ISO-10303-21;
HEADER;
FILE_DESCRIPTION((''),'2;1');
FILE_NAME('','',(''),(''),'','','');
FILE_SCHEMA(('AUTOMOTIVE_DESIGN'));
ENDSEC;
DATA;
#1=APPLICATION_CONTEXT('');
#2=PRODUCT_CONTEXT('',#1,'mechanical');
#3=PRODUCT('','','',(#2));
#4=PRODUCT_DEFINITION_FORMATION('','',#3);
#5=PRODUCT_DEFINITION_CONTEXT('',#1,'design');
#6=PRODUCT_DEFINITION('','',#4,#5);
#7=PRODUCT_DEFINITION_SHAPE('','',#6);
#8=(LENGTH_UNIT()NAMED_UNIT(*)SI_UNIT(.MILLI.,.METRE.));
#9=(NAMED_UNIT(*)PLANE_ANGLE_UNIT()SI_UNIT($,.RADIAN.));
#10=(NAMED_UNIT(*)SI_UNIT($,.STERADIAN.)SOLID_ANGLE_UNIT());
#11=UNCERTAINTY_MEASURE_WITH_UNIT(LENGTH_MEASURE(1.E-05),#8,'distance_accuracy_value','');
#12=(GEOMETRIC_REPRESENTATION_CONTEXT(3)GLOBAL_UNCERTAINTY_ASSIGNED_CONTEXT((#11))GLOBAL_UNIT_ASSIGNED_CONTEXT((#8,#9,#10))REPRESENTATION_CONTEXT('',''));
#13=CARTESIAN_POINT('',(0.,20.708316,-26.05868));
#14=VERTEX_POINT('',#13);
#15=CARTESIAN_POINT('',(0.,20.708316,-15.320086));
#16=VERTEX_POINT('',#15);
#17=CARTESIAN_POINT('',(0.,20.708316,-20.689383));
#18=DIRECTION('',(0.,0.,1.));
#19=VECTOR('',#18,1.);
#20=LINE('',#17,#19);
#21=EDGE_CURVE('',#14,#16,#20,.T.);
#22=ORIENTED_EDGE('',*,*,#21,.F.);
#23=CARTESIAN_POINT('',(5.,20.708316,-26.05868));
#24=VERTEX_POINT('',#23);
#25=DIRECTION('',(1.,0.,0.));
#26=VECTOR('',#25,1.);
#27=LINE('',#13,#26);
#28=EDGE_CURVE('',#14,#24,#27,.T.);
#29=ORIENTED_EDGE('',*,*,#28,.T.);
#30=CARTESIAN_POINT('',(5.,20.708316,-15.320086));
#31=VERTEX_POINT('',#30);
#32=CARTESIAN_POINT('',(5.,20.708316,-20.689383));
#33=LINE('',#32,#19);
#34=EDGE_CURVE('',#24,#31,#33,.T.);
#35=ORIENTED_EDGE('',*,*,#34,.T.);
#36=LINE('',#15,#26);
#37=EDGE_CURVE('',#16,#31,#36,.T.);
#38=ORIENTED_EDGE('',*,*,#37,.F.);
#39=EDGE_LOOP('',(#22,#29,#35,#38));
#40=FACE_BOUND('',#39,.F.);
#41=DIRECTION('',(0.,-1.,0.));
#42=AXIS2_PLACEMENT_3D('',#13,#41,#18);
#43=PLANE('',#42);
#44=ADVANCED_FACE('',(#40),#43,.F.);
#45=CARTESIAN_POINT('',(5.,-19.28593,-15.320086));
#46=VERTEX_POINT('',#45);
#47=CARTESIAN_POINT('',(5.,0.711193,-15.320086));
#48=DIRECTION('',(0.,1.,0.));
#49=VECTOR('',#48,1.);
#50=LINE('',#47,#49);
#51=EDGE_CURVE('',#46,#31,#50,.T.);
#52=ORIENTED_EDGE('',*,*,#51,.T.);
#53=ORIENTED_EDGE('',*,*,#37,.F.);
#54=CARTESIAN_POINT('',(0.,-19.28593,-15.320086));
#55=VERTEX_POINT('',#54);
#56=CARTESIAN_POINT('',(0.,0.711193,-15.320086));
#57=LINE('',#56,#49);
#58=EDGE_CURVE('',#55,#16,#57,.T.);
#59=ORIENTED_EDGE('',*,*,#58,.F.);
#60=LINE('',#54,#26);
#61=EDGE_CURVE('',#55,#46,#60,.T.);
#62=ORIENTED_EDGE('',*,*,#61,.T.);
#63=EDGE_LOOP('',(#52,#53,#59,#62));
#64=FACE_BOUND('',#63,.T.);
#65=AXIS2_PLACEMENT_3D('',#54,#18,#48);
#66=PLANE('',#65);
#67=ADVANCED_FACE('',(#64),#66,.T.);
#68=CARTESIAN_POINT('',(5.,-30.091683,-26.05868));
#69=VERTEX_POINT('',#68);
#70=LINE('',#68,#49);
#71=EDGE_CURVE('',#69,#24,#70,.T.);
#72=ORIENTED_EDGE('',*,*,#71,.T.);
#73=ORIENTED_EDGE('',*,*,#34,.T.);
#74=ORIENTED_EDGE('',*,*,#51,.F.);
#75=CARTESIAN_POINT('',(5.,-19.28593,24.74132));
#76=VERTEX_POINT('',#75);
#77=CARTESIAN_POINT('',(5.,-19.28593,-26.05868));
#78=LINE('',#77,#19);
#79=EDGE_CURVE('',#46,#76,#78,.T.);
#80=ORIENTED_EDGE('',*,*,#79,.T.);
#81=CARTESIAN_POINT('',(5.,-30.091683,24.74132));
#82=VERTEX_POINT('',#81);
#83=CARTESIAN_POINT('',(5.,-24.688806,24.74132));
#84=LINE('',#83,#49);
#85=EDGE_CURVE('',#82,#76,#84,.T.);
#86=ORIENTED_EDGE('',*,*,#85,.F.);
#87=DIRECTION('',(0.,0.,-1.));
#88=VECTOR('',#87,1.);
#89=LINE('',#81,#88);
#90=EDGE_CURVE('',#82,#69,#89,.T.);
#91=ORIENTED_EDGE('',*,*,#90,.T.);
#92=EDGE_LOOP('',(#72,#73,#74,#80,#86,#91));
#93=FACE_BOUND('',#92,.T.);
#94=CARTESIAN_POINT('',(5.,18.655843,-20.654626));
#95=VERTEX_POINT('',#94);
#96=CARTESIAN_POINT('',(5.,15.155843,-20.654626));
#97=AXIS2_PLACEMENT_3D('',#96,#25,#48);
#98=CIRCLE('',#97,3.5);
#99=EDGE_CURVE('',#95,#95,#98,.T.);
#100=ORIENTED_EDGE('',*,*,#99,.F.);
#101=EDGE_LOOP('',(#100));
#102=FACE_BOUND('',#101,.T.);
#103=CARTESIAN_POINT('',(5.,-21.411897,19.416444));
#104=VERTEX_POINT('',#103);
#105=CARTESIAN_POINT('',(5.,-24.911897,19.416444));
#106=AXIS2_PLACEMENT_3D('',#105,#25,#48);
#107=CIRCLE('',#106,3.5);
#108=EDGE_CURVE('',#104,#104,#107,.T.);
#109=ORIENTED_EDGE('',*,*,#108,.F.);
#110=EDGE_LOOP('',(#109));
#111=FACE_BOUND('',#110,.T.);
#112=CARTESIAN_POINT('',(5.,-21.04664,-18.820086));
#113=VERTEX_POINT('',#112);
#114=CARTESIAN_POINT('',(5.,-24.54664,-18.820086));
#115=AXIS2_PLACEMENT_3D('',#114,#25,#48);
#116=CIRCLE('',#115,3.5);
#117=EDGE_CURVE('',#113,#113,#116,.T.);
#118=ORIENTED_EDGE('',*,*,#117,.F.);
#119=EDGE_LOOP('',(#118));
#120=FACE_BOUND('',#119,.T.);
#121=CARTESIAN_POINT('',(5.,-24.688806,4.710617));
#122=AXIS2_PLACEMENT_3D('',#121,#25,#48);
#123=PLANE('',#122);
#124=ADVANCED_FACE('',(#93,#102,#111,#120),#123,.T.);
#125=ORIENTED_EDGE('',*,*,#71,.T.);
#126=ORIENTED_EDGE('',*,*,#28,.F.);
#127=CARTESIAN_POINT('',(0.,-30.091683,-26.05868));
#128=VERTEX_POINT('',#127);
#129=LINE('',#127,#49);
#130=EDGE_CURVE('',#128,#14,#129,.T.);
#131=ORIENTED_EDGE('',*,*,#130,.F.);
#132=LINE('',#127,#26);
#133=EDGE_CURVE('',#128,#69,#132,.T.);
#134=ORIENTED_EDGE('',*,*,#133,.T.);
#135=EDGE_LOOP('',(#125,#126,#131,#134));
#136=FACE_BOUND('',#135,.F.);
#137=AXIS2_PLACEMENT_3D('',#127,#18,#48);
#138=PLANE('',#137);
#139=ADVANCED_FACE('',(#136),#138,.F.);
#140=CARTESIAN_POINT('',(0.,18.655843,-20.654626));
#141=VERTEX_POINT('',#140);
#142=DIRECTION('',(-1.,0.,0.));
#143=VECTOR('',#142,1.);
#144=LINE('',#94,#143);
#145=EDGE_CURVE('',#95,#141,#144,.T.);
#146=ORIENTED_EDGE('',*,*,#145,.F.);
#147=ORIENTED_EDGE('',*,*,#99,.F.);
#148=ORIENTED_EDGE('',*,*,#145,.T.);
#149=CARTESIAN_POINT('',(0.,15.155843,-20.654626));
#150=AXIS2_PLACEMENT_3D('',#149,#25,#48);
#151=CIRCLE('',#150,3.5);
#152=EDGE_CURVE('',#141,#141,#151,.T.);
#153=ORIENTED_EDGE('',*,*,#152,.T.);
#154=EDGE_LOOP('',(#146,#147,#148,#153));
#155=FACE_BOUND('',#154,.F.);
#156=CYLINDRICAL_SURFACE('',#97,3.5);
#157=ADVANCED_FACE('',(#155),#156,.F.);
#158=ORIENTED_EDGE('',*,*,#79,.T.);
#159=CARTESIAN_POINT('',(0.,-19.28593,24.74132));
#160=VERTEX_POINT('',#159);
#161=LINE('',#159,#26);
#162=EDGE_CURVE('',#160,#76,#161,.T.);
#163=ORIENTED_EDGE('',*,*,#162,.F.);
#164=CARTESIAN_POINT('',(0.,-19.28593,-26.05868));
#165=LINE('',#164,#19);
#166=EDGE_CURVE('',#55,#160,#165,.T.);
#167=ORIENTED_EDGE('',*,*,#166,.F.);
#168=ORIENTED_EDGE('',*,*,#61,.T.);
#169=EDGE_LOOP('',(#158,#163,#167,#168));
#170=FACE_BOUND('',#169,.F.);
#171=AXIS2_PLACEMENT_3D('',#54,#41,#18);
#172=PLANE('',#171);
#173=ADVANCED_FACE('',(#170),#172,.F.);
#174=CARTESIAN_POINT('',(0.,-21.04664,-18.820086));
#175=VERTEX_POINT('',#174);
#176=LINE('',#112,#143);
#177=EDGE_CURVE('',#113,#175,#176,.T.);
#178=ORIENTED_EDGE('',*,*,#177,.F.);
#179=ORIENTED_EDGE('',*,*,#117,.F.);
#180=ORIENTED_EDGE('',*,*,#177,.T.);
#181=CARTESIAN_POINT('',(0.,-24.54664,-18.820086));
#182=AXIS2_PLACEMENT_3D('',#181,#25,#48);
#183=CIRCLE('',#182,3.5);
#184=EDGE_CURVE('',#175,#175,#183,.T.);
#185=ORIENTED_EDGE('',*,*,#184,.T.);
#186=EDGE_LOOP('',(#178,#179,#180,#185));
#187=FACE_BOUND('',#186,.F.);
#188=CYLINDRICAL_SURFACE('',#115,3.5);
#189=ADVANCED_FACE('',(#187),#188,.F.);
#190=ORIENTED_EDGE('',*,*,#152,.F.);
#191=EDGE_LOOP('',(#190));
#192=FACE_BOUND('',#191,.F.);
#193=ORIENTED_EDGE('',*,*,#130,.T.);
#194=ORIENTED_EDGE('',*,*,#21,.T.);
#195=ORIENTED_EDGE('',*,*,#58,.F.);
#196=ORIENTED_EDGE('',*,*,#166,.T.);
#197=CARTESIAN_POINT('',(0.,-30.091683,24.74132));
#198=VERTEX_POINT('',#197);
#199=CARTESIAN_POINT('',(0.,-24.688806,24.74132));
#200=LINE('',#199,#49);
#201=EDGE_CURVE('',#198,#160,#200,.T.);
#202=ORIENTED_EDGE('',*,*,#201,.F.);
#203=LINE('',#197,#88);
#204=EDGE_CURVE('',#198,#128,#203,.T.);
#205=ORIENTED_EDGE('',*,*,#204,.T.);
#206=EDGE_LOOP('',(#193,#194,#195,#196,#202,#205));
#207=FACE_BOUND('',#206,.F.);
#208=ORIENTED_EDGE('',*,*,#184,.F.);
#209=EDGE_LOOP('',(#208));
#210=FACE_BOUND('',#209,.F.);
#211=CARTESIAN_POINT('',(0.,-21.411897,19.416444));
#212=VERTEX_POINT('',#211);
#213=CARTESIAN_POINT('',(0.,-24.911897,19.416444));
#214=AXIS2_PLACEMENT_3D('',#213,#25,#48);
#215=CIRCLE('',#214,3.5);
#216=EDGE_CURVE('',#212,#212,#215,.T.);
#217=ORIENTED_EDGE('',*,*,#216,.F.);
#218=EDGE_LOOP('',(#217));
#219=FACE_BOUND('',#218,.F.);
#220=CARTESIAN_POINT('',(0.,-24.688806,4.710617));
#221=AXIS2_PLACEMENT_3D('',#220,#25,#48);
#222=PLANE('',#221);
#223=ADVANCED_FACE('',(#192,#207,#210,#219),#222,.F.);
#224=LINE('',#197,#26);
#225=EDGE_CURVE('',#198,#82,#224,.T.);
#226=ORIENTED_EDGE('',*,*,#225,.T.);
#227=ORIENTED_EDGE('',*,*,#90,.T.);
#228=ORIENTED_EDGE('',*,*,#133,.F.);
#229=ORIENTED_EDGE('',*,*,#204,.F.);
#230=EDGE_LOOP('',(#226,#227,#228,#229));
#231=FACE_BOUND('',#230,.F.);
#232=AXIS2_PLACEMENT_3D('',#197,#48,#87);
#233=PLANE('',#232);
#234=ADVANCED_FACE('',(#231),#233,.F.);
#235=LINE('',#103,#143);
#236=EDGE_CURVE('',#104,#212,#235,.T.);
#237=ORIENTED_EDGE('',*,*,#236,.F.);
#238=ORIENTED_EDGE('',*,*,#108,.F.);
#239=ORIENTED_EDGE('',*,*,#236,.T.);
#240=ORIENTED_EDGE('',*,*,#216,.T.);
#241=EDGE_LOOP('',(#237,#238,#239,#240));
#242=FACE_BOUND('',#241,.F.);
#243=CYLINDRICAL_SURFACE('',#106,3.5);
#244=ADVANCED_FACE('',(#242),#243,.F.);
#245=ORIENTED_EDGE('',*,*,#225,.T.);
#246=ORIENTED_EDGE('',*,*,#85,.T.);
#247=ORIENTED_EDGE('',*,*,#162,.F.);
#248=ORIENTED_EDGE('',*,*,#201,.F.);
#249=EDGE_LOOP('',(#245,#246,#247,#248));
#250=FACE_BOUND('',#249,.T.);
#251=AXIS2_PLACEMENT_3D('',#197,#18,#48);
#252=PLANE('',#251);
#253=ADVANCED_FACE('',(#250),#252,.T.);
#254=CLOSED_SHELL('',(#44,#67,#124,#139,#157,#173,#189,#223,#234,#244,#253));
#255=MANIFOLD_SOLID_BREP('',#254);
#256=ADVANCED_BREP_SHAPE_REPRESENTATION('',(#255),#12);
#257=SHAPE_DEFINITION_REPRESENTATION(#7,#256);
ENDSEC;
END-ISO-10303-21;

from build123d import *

# Parameters (mm, degrees)
F0_W     = 10.805753
F0_H     = 40.061406
F0_H_2   = 10.738594
F0_W_2   = 39.994247
F1_DEPTH = 5
F2_R     = 3.5
F3_DEPTH = 25.4


with BuildPart() as f1:
    # F0 (on Right) → F1 (new body)
    with BuildSketch(Plane.YZ):
        with Locations((-24.688806, 4.710617)):
            Rectangle(F0_W, F0_H)
        with Locations((-24.688806, -20.689383)):
            Rectangle(F0_W, F0_H_2)
        with Locations((0.711193, -20.689383)):
            Rectangle(F0_W_2, F0_H_2)
    extrude(amount=F1_DEPTH)

    # F2 (on face) → F3 (cut)
    with BuildSketch(Plane.YZ.offset(5)):
        with Locations((-24.911897, 19.416444)):
            Circle(F2_R)
        with Locations((15.155843, -20.654626)):
            Circle(F2_R)
        with Locations((-24.54664, -18.820086)):
            Circle(F2_R)
    extrude(amount=-F3_DEPTH, mode=Mode.SUBTRACT)


solid = f1.part
